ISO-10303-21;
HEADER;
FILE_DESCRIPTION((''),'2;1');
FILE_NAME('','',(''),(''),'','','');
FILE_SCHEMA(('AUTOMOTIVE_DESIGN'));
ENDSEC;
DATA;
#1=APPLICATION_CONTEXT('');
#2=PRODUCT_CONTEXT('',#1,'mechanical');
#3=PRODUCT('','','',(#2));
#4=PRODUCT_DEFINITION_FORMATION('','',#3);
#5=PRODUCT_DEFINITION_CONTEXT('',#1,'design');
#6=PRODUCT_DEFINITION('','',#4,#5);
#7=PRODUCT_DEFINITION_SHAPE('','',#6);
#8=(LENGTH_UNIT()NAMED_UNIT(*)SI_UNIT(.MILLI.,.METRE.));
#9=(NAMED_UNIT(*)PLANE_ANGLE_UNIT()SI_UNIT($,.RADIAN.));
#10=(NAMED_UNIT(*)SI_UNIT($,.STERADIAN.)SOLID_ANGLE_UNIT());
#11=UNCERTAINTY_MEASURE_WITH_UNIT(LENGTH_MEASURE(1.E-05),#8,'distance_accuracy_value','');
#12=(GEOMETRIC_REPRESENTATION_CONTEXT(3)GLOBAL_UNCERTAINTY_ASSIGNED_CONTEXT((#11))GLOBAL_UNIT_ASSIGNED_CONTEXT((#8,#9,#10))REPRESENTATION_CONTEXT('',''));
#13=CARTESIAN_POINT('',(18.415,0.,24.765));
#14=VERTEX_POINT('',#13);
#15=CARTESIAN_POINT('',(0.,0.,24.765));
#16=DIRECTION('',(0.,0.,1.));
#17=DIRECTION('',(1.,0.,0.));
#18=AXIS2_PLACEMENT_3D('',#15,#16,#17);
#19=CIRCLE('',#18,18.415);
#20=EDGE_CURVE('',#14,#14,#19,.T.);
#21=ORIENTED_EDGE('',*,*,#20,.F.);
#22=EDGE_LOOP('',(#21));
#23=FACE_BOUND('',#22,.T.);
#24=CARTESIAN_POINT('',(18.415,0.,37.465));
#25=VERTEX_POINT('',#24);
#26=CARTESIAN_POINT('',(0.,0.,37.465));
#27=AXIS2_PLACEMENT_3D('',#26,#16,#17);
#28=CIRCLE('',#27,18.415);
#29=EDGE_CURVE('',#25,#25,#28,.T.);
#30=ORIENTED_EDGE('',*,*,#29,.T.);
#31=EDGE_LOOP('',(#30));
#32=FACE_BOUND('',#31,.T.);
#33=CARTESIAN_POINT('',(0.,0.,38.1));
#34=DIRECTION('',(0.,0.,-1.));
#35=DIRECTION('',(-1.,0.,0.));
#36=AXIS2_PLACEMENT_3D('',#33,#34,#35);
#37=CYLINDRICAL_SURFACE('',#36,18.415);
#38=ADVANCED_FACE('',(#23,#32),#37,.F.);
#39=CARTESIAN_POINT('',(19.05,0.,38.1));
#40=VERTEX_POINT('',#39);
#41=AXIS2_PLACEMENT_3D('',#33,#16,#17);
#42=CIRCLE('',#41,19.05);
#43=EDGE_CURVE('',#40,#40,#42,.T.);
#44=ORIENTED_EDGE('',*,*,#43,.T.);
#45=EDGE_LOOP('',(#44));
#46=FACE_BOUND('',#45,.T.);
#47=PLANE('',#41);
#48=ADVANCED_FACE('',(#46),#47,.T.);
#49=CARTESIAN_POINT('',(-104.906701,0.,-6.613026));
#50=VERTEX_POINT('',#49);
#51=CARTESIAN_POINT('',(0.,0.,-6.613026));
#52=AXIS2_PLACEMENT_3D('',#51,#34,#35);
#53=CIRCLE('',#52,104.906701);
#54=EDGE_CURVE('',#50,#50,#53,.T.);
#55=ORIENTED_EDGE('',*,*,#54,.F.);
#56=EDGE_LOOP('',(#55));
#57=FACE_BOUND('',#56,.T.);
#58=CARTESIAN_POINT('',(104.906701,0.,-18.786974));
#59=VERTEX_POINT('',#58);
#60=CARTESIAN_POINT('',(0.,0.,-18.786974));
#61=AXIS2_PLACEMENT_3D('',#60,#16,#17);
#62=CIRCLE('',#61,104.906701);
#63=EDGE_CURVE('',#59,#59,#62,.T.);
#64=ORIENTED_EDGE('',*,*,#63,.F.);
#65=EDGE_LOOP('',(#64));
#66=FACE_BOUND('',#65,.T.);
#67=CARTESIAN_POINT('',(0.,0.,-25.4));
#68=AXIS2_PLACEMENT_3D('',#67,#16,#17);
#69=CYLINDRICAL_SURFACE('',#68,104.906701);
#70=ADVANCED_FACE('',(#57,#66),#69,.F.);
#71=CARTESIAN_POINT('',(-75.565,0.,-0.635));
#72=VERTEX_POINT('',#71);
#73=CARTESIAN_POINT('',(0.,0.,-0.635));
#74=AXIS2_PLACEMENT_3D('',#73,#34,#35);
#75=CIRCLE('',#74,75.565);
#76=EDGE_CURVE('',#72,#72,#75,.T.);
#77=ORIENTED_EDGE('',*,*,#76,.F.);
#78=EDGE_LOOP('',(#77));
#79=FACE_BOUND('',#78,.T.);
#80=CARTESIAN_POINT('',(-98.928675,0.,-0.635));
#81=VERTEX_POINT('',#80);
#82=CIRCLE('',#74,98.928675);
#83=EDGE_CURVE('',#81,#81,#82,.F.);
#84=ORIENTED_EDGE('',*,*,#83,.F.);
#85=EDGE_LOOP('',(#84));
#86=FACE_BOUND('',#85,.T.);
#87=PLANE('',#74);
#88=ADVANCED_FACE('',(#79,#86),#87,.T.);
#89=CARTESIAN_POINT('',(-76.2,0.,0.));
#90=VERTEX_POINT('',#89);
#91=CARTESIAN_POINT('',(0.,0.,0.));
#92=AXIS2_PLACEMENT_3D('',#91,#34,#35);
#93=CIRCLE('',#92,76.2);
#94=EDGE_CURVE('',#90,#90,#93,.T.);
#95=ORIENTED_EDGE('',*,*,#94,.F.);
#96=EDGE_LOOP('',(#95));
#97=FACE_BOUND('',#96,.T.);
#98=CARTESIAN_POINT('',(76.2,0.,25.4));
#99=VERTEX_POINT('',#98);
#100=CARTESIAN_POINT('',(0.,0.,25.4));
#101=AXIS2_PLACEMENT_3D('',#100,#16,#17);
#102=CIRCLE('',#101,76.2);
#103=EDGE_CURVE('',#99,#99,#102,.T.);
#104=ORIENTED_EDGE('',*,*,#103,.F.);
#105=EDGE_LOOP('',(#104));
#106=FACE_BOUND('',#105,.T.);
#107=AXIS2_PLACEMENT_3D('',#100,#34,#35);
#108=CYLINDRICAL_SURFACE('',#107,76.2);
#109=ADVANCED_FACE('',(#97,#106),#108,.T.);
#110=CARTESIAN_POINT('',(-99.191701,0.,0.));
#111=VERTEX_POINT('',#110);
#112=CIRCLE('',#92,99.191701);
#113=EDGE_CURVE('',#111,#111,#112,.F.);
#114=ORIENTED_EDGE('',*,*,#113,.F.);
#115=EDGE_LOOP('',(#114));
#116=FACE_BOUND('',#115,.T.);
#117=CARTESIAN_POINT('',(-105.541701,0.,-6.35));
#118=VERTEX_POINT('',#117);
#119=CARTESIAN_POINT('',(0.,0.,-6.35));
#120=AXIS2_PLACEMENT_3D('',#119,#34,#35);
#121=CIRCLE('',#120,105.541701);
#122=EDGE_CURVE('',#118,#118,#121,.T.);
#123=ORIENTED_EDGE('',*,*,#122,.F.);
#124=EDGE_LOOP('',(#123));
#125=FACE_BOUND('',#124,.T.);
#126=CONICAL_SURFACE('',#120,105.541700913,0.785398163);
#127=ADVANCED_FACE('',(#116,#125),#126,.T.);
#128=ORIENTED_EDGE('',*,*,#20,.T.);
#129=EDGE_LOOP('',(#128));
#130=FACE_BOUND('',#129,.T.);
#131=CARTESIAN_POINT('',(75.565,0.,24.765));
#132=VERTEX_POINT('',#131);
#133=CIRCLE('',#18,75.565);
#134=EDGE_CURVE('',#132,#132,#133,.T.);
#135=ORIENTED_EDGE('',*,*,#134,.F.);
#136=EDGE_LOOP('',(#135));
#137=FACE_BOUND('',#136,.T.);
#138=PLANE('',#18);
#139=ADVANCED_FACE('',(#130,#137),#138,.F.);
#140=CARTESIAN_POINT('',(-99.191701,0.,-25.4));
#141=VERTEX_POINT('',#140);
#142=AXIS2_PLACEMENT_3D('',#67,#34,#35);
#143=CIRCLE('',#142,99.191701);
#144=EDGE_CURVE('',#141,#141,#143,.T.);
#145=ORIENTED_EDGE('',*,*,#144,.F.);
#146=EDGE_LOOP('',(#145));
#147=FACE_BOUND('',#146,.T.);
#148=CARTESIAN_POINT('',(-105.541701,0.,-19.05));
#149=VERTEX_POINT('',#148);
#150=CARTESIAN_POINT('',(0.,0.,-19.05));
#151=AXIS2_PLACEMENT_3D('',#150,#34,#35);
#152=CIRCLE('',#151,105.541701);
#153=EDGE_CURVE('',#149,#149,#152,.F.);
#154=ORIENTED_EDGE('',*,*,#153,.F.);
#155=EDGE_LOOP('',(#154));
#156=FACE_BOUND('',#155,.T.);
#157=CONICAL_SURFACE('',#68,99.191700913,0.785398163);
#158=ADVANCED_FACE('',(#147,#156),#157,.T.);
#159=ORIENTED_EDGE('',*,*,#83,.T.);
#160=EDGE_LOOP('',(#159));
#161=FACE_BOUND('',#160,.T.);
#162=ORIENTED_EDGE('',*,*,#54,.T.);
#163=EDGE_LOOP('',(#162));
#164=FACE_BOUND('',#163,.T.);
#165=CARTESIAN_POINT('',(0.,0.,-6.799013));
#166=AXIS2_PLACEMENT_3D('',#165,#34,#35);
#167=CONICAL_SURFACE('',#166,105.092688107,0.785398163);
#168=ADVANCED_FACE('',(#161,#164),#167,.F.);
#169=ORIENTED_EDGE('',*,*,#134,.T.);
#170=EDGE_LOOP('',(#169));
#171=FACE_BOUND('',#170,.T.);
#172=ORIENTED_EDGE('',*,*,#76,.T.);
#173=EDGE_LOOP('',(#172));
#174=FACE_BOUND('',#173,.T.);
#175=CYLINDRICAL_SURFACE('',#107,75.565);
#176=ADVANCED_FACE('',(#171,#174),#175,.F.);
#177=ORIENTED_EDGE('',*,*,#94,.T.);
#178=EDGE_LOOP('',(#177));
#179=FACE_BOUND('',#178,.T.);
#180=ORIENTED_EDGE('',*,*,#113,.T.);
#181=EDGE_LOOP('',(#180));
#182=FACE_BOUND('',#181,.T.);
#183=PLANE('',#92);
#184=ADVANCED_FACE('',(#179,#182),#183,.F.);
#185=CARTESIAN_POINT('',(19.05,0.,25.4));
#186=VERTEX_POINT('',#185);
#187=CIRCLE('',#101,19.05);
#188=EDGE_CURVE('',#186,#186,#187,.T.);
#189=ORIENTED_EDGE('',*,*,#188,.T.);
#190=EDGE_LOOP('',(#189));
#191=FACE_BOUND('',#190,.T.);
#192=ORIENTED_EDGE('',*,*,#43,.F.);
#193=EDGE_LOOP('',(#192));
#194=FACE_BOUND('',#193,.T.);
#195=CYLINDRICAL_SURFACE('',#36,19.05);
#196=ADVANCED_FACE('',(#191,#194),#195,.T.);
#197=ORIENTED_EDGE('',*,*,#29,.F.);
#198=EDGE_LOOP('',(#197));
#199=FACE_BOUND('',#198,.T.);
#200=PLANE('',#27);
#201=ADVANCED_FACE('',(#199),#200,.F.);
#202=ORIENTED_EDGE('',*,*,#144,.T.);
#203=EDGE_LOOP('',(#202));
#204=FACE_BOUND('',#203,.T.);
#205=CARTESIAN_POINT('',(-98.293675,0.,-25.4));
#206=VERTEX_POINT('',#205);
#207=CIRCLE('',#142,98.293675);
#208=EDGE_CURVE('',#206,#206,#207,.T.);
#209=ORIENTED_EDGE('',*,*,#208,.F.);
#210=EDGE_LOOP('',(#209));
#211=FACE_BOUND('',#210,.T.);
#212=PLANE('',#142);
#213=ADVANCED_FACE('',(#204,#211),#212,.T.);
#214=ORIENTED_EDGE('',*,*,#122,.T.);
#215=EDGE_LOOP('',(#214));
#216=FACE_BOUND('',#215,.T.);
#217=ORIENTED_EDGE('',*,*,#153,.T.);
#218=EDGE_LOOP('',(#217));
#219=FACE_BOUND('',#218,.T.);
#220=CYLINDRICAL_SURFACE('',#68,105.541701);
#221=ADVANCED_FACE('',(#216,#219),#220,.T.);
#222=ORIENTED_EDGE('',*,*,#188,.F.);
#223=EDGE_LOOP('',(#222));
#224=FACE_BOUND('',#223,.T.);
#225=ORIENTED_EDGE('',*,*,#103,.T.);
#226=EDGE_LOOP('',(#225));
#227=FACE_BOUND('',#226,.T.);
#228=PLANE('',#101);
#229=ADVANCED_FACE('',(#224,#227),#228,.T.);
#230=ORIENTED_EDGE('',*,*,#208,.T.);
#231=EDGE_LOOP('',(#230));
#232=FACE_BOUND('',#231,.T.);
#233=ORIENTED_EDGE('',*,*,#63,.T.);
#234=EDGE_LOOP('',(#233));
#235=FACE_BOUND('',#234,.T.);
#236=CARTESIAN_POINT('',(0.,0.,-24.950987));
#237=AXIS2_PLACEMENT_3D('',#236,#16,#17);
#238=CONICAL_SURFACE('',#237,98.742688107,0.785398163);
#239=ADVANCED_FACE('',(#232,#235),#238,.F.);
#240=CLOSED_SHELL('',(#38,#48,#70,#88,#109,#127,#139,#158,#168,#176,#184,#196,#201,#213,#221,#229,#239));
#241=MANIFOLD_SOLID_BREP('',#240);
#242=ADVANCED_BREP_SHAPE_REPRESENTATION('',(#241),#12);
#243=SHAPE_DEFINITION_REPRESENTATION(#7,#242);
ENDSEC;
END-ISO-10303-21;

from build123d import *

# Parameters (mm, degrees)
SKETCH1_R           = 76.2
BOSS_EXTRUDE1_DEPTH = 25.4
SKETCH2_R           = 19.05
BOSS_EXTRUDE2_DEPTH = 12.7
SKETCH3_R           = 105.541701
BOSS_EXTRUDE4_DEPTH = 25.4
CHAMFER1_SIZE       = 6.35
SHELL1_T            = -0.635


with BuildPart() as part:
    # Sketch1 → Boss-Extrude1 (new body)
    with BuildSketch(Plane.XY):
        Circle(SKETCH1_R)
    extrude(amount=BOSS_EXTRUDE1_DEPTH)

    # Sketch2 → Boss-Extrude2 (add)
    with BuildSketch(Plane.XY.offset(25.4)):
        Circle(SKETCH2_R)
    extrude(amount=BOSS_EXTRUDE2_DEPTH)

    # Sketch3 → Boss-Extrude4 (add)
    with BuildSketch(Plane(origin=(0, 0, 0), x_dir=(-1, 0, 0), z_dir=(0, 0, -1))):
        Circle(SKETCH3_R)
    extrude(amount=BOSS_EXTRUDE4_DEPTH)

    # Chamfer1
    chamfer1_edges = [part.edges().sort_by_distance(p)[0] for p in [
        (105.541701, 0, 0),
        (105.541701, 0, -25.4),
    ]]
    chamfer(chamfer1_edges, length=CHAMFER1_SIZE)

    # Shell1
    shell1_openings = [part.faces().sort_by_distance(p)[0] for p in [
        (-99.191701, 0, -25.4),
    ]]
    offset(amount=SHELL1_T, openings=shell1_openings, kind=Kind.INTERSECTION)


solid = part.part
